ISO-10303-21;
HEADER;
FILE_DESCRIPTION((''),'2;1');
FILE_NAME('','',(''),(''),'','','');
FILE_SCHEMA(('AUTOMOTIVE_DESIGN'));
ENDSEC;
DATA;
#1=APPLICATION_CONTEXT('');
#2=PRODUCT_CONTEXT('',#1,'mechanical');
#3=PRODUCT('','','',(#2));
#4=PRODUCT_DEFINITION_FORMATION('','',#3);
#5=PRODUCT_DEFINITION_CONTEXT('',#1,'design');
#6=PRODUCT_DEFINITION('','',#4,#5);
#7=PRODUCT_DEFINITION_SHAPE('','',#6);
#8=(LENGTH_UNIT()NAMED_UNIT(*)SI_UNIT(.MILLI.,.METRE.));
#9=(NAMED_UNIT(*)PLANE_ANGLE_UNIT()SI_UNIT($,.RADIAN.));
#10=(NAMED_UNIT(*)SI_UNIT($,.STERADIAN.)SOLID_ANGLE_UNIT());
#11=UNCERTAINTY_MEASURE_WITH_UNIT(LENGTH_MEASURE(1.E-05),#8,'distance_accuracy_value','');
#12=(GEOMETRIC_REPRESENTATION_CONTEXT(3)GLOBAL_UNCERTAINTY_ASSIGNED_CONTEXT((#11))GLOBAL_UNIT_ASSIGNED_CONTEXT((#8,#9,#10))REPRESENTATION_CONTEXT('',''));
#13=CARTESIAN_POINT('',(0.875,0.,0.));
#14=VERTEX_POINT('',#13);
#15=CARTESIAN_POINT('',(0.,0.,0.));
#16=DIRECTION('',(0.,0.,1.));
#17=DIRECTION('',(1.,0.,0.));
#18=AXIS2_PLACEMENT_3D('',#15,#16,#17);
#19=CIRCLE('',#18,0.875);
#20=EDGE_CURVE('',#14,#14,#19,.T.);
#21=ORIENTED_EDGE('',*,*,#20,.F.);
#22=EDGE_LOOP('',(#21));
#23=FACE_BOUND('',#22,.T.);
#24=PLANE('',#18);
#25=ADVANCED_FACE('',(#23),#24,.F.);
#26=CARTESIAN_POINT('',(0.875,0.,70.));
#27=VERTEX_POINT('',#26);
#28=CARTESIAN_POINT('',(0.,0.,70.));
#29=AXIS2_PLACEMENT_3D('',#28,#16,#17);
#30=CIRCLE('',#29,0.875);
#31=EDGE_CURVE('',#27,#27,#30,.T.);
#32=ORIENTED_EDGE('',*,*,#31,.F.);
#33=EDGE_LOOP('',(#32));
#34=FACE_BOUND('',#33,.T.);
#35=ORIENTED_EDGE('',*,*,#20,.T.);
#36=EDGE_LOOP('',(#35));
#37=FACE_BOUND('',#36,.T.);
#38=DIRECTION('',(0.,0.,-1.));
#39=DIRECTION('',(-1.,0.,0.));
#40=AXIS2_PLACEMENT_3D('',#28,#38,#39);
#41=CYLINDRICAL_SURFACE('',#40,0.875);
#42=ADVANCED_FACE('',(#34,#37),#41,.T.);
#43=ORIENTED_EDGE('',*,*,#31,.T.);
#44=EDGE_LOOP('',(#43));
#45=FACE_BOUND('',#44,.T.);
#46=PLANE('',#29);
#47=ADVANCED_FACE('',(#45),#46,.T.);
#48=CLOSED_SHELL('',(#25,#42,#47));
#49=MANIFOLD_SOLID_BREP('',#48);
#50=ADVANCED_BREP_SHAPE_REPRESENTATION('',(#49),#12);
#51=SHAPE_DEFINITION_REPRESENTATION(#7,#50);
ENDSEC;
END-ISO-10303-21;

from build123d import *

# Parameters (mm, degrees)
SKETCH1_R      = 0.875
EXTRUDE1_DEPTH = 70


with BuildPart() as part:
    # Sketch1 → Extrude1 (new body)
    with BuildSketch(Plane.XY):
        Circle(SKETCH1_R)
    extrude(amount=EXTRUDE1_DEPTH)


solid = part.part
